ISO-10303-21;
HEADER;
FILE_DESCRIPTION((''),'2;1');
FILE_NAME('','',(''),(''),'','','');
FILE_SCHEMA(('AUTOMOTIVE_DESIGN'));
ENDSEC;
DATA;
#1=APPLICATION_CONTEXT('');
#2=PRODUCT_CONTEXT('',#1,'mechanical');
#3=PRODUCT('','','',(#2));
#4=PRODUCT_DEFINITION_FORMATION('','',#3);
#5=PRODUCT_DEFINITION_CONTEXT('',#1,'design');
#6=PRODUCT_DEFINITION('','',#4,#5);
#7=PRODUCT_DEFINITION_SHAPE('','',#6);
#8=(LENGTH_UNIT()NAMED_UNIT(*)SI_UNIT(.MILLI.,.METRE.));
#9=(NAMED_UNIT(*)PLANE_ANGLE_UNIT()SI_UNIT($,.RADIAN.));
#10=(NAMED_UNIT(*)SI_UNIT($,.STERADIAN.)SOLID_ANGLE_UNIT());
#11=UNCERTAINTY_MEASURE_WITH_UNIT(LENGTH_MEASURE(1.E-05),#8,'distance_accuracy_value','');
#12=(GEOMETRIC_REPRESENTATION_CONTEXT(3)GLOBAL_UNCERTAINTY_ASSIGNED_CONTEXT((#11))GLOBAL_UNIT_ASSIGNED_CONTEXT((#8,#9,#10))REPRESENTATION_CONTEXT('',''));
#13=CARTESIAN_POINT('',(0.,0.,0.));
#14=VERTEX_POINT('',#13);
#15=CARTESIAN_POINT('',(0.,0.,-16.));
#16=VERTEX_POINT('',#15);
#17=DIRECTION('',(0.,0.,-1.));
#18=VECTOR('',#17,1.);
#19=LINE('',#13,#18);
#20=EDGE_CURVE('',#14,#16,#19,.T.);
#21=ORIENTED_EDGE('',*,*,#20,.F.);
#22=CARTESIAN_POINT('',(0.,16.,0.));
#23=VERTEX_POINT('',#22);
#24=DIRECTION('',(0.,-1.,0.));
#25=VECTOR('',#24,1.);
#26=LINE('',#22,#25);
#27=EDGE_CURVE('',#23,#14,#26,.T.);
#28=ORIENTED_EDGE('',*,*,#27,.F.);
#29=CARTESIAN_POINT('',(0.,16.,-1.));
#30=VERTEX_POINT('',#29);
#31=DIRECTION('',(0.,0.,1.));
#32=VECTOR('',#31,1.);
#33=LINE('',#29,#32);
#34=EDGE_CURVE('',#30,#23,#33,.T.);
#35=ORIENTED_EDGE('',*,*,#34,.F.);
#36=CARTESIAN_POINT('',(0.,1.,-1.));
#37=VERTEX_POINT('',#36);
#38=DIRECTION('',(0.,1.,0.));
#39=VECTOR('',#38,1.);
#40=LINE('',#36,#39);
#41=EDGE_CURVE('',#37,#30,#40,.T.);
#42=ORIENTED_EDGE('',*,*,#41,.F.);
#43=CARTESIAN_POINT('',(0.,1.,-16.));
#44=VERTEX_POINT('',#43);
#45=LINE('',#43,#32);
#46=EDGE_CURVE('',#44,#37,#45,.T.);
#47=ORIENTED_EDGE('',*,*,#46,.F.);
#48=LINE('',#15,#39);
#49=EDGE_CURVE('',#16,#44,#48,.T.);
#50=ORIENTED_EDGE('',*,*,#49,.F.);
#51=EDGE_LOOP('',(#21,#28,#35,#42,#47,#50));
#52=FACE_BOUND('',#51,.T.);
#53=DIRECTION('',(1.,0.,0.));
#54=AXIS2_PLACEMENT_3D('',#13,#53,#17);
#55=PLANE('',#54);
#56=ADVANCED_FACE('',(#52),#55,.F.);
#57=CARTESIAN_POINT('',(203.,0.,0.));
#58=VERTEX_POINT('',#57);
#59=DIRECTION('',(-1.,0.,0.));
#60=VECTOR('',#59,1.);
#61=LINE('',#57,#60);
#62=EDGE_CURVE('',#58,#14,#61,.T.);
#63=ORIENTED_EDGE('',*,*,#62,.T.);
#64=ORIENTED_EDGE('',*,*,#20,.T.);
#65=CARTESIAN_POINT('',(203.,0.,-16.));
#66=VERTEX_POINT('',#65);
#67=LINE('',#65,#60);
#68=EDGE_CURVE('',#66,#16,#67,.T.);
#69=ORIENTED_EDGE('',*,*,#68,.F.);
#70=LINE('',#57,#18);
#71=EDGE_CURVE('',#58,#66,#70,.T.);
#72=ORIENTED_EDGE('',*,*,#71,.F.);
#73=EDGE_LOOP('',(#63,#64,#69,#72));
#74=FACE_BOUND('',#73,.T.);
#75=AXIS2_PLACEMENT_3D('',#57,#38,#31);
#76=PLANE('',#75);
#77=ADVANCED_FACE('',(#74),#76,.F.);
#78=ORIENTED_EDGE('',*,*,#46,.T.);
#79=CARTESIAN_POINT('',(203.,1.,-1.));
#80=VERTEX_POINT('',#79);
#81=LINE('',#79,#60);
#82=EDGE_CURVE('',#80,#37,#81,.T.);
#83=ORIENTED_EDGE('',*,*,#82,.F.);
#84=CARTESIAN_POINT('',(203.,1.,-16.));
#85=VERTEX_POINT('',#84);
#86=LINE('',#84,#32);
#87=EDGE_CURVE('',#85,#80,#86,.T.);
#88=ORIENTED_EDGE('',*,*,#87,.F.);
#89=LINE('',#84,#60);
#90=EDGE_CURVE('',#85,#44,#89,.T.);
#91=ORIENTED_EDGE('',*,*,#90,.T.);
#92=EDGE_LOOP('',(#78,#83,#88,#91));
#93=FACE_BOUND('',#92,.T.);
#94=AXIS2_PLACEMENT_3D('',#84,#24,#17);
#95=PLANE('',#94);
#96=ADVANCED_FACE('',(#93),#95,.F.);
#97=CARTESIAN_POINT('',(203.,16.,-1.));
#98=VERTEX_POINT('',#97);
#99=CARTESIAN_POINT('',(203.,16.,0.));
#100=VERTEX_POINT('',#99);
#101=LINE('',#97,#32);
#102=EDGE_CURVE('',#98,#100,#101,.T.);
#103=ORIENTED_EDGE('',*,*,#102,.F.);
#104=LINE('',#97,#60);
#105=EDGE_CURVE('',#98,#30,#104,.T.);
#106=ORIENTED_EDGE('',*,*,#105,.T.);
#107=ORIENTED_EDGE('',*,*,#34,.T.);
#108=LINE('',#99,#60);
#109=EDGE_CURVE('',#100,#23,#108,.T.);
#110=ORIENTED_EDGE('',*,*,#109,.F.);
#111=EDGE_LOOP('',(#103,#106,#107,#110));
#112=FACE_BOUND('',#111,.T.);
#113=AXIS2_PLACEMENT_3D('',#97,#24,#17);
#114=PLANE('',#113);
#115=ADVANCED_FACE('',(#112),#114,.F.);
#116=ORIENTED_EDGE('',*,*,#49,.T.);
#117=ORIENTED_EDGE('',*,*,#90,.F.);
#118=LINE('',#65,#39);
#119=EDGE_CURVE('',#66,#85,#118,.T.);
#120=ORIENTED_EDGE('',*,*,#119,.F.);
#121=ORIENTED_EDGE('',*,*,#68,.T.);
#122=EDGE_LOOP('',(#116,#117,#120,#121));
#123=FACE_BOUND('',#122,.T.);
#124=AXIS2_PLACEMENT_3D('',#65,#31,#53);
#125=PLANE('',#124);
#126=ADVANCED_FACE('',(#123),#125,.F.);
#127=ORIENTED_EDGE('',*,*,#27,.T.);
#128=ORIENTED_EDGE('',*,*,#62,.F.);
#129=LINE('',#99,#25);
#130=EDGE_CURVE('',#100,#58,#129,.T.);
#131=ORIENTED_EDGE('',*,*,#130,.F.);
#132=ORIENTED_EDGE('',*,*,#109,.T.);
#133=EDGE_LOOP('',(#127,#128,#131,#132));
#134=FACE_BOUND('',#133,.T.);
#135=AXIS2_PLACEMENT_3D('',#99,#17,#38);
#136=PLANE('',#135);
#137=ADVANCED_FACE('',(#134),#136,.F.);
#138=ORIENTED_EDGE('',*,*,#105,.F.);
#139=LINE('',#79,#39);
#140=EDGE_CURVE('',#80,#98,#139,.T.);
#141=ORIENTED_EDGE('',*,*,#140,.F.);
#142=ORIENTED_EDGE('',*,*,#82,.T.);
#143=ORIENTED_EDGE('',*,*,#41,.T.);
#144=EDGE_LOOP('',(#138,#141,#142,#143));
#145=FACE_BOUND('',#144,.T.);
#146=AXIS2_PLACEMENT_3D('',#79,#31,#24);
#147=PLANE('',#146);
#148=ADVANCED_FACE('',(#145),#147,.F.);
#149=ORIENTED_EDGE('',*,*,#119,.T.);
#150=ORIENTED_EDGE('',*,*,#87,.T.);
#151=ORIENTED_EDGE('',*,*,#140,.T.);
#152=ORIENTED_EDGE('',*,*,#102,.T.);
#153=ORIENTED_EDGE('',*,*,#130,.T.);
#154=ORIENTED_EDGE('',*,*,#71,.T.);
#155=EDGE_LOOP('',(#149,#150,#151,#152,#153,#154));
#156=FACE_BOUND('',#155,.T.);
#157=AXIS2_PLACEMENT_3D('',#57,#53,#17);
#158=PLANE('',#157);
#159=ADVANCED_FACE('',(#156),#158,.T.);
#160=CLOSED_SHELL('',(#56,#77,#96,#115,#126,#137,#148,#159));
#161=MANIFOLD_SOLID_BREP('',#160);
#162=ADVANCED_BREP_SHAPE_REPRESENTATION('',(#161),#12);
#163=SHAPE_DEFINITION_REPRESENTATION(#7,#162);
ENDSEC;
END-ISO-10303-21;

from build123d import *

# Parameters (mm, degrees)
SALIENTE_EXTRUIR1_DEPTH = 203


with BuildPart() as part:
    # Croquis1 → Saliente-Extruir1 (new body)
    with BuildSketch(Plane(origin=(0, 0, 0), x_dir=(0, 0, -1), z_dir=(1, 0, 0))):
        Polygon((0, 16), (0, 0), (16, 0), (16, 1), (1, 1), (1, 16), align=None)
    extrude(amount=SALIENTE_EXTRUIR1_DEPTH)


solid = part.part
